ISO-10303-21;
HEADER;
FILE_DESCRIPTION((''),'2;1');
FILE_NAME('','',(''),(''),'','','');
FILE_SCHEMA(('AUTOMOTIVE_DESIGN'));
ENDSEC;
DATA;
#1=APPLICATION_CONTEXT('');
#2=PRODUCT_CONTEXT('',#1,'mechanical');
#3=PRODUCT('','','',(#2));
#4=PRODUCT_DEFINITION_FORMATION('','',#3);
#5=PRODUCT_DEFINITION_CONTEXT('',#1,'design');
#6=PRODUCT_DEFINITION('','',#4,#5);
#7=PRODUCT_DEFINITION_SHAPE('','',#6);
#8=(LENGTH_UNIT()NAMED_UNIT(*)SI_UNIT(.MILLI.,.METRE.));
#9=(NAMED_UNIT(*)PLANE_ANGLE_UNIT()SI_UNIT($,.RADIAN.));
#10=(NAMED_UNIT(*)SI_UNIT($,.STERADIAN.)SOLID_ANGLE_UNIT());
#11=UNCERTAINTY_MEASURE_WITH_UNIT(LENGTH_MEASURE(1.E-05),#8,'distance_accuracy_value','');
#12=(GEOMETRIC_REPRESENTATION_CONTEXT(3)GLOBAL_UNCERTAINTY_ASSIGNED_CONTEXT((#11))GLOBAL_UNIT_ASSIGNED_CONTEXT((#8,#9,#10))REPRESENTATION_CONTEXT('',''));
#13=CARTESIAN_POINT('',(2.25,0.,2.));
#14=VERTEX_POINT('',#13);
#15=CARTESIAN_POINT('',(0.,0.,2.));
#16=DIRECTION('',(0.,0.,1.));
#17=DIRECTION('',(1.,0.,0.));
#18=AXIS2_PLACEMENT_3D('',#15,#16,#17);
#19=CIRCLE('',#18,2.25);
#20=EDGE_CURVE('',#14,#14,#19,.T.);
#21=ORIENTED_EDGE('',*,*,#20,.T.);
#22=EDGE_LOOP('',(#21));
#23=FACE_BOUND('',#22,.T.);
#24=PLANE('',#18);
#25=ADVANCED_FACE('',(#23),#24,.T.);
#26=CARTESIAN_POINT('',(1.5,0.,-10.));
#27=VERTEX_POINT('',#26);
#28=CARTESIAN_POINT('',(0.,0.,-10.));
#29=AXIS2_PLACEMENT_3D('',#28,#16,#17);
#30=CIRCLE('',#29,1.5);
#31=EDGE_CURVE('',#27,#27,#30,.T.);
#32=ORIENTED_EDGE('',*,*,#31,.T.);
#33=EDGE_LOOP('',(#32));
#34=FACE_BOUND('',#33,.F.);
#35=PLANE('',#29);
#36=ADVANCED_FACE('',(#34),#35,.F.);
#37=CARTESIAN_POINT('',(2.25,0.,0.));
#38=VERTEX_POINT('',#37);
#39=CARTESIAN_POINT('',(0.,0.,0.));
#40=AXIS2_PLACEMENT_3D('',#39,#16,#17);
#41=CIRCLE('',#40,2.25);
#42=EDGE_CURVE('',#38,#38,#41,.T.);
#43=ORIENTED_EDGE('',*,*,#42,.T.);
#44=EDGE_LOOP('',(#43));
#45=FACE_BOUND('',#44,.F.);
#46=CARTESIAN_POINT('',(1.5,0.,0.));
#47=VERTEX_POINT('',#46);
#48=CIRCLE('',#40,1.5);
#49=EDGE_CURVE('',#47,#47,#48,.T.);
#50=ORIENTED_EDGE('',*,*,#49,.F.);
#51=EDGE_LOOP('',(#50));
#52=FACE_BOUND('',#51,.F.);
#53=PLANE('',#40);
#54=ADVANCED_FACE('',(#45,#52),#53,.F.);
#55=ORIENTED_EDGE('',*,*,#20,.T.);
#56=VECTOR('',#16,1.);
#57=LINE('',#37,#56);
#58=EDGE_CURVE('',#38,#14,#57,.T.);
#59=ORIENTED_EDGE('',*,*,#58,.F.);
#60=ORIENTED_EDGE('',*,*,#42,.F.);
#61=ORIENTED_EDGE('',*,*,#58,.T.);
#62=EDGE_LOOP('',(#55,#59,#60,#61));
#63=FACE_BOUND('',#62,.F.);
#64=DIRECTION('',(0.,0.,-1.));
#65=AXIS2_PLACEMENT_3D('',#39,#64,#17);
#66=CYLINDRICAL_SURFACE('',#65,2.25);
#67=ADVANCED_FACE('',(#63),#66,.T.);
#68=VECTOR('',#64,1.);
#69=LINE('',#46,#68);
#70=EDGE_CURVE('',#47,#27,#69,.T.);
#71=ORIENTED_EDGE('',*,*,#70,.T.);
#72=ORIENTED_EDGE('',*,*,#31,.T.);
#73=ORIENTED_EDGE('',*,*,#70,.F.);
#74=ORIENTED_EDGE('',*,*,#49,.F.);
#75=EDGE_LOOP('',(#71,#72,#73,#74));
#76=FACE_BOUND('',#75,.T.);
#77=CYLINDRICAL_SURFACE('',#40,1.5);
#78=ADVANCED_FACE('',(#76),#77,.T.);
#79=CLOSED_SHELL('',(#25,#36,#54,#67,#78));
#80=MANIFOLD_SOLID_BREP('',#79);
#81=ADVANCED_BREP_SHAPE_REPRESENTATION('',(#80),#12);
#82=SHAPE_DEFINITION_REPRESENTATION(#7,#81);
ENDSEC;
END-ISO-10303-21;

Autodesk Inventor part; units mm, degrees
ref_plane "YZ Plane" through (0, 0, 0) normal (1, 0, 0) x (0, 1, 0)
ref_plane "XZ Plane" through (0, 0, 0) normal (0, 1, 0) x (-1, 0, 0)
ref_plane "XY Plane" through (0, 0, 0) normal (0, 0, 1) x (1, 0, 0)
sketch "スケッチ1" plane through (0, 0, 0) normal (0, 0, 1) x (1, 0, 0)
  circle A0 centre (0, 0) radius 2.25
  circle A1 centre (0, 0) radius 1.5
  dimension "d0" = 4.5
  dimension "d1" = 3
extrude "押し出し1" add sketch "スケッチ1" along normal blind 2 contours A0 | A1
extrude "押し出し2" add sketch "スケッチ1" against normal blind 10 contours A1
properties part number "M3 小頭低頭ボルト 10mm" material "鋼、炭素鋼"
